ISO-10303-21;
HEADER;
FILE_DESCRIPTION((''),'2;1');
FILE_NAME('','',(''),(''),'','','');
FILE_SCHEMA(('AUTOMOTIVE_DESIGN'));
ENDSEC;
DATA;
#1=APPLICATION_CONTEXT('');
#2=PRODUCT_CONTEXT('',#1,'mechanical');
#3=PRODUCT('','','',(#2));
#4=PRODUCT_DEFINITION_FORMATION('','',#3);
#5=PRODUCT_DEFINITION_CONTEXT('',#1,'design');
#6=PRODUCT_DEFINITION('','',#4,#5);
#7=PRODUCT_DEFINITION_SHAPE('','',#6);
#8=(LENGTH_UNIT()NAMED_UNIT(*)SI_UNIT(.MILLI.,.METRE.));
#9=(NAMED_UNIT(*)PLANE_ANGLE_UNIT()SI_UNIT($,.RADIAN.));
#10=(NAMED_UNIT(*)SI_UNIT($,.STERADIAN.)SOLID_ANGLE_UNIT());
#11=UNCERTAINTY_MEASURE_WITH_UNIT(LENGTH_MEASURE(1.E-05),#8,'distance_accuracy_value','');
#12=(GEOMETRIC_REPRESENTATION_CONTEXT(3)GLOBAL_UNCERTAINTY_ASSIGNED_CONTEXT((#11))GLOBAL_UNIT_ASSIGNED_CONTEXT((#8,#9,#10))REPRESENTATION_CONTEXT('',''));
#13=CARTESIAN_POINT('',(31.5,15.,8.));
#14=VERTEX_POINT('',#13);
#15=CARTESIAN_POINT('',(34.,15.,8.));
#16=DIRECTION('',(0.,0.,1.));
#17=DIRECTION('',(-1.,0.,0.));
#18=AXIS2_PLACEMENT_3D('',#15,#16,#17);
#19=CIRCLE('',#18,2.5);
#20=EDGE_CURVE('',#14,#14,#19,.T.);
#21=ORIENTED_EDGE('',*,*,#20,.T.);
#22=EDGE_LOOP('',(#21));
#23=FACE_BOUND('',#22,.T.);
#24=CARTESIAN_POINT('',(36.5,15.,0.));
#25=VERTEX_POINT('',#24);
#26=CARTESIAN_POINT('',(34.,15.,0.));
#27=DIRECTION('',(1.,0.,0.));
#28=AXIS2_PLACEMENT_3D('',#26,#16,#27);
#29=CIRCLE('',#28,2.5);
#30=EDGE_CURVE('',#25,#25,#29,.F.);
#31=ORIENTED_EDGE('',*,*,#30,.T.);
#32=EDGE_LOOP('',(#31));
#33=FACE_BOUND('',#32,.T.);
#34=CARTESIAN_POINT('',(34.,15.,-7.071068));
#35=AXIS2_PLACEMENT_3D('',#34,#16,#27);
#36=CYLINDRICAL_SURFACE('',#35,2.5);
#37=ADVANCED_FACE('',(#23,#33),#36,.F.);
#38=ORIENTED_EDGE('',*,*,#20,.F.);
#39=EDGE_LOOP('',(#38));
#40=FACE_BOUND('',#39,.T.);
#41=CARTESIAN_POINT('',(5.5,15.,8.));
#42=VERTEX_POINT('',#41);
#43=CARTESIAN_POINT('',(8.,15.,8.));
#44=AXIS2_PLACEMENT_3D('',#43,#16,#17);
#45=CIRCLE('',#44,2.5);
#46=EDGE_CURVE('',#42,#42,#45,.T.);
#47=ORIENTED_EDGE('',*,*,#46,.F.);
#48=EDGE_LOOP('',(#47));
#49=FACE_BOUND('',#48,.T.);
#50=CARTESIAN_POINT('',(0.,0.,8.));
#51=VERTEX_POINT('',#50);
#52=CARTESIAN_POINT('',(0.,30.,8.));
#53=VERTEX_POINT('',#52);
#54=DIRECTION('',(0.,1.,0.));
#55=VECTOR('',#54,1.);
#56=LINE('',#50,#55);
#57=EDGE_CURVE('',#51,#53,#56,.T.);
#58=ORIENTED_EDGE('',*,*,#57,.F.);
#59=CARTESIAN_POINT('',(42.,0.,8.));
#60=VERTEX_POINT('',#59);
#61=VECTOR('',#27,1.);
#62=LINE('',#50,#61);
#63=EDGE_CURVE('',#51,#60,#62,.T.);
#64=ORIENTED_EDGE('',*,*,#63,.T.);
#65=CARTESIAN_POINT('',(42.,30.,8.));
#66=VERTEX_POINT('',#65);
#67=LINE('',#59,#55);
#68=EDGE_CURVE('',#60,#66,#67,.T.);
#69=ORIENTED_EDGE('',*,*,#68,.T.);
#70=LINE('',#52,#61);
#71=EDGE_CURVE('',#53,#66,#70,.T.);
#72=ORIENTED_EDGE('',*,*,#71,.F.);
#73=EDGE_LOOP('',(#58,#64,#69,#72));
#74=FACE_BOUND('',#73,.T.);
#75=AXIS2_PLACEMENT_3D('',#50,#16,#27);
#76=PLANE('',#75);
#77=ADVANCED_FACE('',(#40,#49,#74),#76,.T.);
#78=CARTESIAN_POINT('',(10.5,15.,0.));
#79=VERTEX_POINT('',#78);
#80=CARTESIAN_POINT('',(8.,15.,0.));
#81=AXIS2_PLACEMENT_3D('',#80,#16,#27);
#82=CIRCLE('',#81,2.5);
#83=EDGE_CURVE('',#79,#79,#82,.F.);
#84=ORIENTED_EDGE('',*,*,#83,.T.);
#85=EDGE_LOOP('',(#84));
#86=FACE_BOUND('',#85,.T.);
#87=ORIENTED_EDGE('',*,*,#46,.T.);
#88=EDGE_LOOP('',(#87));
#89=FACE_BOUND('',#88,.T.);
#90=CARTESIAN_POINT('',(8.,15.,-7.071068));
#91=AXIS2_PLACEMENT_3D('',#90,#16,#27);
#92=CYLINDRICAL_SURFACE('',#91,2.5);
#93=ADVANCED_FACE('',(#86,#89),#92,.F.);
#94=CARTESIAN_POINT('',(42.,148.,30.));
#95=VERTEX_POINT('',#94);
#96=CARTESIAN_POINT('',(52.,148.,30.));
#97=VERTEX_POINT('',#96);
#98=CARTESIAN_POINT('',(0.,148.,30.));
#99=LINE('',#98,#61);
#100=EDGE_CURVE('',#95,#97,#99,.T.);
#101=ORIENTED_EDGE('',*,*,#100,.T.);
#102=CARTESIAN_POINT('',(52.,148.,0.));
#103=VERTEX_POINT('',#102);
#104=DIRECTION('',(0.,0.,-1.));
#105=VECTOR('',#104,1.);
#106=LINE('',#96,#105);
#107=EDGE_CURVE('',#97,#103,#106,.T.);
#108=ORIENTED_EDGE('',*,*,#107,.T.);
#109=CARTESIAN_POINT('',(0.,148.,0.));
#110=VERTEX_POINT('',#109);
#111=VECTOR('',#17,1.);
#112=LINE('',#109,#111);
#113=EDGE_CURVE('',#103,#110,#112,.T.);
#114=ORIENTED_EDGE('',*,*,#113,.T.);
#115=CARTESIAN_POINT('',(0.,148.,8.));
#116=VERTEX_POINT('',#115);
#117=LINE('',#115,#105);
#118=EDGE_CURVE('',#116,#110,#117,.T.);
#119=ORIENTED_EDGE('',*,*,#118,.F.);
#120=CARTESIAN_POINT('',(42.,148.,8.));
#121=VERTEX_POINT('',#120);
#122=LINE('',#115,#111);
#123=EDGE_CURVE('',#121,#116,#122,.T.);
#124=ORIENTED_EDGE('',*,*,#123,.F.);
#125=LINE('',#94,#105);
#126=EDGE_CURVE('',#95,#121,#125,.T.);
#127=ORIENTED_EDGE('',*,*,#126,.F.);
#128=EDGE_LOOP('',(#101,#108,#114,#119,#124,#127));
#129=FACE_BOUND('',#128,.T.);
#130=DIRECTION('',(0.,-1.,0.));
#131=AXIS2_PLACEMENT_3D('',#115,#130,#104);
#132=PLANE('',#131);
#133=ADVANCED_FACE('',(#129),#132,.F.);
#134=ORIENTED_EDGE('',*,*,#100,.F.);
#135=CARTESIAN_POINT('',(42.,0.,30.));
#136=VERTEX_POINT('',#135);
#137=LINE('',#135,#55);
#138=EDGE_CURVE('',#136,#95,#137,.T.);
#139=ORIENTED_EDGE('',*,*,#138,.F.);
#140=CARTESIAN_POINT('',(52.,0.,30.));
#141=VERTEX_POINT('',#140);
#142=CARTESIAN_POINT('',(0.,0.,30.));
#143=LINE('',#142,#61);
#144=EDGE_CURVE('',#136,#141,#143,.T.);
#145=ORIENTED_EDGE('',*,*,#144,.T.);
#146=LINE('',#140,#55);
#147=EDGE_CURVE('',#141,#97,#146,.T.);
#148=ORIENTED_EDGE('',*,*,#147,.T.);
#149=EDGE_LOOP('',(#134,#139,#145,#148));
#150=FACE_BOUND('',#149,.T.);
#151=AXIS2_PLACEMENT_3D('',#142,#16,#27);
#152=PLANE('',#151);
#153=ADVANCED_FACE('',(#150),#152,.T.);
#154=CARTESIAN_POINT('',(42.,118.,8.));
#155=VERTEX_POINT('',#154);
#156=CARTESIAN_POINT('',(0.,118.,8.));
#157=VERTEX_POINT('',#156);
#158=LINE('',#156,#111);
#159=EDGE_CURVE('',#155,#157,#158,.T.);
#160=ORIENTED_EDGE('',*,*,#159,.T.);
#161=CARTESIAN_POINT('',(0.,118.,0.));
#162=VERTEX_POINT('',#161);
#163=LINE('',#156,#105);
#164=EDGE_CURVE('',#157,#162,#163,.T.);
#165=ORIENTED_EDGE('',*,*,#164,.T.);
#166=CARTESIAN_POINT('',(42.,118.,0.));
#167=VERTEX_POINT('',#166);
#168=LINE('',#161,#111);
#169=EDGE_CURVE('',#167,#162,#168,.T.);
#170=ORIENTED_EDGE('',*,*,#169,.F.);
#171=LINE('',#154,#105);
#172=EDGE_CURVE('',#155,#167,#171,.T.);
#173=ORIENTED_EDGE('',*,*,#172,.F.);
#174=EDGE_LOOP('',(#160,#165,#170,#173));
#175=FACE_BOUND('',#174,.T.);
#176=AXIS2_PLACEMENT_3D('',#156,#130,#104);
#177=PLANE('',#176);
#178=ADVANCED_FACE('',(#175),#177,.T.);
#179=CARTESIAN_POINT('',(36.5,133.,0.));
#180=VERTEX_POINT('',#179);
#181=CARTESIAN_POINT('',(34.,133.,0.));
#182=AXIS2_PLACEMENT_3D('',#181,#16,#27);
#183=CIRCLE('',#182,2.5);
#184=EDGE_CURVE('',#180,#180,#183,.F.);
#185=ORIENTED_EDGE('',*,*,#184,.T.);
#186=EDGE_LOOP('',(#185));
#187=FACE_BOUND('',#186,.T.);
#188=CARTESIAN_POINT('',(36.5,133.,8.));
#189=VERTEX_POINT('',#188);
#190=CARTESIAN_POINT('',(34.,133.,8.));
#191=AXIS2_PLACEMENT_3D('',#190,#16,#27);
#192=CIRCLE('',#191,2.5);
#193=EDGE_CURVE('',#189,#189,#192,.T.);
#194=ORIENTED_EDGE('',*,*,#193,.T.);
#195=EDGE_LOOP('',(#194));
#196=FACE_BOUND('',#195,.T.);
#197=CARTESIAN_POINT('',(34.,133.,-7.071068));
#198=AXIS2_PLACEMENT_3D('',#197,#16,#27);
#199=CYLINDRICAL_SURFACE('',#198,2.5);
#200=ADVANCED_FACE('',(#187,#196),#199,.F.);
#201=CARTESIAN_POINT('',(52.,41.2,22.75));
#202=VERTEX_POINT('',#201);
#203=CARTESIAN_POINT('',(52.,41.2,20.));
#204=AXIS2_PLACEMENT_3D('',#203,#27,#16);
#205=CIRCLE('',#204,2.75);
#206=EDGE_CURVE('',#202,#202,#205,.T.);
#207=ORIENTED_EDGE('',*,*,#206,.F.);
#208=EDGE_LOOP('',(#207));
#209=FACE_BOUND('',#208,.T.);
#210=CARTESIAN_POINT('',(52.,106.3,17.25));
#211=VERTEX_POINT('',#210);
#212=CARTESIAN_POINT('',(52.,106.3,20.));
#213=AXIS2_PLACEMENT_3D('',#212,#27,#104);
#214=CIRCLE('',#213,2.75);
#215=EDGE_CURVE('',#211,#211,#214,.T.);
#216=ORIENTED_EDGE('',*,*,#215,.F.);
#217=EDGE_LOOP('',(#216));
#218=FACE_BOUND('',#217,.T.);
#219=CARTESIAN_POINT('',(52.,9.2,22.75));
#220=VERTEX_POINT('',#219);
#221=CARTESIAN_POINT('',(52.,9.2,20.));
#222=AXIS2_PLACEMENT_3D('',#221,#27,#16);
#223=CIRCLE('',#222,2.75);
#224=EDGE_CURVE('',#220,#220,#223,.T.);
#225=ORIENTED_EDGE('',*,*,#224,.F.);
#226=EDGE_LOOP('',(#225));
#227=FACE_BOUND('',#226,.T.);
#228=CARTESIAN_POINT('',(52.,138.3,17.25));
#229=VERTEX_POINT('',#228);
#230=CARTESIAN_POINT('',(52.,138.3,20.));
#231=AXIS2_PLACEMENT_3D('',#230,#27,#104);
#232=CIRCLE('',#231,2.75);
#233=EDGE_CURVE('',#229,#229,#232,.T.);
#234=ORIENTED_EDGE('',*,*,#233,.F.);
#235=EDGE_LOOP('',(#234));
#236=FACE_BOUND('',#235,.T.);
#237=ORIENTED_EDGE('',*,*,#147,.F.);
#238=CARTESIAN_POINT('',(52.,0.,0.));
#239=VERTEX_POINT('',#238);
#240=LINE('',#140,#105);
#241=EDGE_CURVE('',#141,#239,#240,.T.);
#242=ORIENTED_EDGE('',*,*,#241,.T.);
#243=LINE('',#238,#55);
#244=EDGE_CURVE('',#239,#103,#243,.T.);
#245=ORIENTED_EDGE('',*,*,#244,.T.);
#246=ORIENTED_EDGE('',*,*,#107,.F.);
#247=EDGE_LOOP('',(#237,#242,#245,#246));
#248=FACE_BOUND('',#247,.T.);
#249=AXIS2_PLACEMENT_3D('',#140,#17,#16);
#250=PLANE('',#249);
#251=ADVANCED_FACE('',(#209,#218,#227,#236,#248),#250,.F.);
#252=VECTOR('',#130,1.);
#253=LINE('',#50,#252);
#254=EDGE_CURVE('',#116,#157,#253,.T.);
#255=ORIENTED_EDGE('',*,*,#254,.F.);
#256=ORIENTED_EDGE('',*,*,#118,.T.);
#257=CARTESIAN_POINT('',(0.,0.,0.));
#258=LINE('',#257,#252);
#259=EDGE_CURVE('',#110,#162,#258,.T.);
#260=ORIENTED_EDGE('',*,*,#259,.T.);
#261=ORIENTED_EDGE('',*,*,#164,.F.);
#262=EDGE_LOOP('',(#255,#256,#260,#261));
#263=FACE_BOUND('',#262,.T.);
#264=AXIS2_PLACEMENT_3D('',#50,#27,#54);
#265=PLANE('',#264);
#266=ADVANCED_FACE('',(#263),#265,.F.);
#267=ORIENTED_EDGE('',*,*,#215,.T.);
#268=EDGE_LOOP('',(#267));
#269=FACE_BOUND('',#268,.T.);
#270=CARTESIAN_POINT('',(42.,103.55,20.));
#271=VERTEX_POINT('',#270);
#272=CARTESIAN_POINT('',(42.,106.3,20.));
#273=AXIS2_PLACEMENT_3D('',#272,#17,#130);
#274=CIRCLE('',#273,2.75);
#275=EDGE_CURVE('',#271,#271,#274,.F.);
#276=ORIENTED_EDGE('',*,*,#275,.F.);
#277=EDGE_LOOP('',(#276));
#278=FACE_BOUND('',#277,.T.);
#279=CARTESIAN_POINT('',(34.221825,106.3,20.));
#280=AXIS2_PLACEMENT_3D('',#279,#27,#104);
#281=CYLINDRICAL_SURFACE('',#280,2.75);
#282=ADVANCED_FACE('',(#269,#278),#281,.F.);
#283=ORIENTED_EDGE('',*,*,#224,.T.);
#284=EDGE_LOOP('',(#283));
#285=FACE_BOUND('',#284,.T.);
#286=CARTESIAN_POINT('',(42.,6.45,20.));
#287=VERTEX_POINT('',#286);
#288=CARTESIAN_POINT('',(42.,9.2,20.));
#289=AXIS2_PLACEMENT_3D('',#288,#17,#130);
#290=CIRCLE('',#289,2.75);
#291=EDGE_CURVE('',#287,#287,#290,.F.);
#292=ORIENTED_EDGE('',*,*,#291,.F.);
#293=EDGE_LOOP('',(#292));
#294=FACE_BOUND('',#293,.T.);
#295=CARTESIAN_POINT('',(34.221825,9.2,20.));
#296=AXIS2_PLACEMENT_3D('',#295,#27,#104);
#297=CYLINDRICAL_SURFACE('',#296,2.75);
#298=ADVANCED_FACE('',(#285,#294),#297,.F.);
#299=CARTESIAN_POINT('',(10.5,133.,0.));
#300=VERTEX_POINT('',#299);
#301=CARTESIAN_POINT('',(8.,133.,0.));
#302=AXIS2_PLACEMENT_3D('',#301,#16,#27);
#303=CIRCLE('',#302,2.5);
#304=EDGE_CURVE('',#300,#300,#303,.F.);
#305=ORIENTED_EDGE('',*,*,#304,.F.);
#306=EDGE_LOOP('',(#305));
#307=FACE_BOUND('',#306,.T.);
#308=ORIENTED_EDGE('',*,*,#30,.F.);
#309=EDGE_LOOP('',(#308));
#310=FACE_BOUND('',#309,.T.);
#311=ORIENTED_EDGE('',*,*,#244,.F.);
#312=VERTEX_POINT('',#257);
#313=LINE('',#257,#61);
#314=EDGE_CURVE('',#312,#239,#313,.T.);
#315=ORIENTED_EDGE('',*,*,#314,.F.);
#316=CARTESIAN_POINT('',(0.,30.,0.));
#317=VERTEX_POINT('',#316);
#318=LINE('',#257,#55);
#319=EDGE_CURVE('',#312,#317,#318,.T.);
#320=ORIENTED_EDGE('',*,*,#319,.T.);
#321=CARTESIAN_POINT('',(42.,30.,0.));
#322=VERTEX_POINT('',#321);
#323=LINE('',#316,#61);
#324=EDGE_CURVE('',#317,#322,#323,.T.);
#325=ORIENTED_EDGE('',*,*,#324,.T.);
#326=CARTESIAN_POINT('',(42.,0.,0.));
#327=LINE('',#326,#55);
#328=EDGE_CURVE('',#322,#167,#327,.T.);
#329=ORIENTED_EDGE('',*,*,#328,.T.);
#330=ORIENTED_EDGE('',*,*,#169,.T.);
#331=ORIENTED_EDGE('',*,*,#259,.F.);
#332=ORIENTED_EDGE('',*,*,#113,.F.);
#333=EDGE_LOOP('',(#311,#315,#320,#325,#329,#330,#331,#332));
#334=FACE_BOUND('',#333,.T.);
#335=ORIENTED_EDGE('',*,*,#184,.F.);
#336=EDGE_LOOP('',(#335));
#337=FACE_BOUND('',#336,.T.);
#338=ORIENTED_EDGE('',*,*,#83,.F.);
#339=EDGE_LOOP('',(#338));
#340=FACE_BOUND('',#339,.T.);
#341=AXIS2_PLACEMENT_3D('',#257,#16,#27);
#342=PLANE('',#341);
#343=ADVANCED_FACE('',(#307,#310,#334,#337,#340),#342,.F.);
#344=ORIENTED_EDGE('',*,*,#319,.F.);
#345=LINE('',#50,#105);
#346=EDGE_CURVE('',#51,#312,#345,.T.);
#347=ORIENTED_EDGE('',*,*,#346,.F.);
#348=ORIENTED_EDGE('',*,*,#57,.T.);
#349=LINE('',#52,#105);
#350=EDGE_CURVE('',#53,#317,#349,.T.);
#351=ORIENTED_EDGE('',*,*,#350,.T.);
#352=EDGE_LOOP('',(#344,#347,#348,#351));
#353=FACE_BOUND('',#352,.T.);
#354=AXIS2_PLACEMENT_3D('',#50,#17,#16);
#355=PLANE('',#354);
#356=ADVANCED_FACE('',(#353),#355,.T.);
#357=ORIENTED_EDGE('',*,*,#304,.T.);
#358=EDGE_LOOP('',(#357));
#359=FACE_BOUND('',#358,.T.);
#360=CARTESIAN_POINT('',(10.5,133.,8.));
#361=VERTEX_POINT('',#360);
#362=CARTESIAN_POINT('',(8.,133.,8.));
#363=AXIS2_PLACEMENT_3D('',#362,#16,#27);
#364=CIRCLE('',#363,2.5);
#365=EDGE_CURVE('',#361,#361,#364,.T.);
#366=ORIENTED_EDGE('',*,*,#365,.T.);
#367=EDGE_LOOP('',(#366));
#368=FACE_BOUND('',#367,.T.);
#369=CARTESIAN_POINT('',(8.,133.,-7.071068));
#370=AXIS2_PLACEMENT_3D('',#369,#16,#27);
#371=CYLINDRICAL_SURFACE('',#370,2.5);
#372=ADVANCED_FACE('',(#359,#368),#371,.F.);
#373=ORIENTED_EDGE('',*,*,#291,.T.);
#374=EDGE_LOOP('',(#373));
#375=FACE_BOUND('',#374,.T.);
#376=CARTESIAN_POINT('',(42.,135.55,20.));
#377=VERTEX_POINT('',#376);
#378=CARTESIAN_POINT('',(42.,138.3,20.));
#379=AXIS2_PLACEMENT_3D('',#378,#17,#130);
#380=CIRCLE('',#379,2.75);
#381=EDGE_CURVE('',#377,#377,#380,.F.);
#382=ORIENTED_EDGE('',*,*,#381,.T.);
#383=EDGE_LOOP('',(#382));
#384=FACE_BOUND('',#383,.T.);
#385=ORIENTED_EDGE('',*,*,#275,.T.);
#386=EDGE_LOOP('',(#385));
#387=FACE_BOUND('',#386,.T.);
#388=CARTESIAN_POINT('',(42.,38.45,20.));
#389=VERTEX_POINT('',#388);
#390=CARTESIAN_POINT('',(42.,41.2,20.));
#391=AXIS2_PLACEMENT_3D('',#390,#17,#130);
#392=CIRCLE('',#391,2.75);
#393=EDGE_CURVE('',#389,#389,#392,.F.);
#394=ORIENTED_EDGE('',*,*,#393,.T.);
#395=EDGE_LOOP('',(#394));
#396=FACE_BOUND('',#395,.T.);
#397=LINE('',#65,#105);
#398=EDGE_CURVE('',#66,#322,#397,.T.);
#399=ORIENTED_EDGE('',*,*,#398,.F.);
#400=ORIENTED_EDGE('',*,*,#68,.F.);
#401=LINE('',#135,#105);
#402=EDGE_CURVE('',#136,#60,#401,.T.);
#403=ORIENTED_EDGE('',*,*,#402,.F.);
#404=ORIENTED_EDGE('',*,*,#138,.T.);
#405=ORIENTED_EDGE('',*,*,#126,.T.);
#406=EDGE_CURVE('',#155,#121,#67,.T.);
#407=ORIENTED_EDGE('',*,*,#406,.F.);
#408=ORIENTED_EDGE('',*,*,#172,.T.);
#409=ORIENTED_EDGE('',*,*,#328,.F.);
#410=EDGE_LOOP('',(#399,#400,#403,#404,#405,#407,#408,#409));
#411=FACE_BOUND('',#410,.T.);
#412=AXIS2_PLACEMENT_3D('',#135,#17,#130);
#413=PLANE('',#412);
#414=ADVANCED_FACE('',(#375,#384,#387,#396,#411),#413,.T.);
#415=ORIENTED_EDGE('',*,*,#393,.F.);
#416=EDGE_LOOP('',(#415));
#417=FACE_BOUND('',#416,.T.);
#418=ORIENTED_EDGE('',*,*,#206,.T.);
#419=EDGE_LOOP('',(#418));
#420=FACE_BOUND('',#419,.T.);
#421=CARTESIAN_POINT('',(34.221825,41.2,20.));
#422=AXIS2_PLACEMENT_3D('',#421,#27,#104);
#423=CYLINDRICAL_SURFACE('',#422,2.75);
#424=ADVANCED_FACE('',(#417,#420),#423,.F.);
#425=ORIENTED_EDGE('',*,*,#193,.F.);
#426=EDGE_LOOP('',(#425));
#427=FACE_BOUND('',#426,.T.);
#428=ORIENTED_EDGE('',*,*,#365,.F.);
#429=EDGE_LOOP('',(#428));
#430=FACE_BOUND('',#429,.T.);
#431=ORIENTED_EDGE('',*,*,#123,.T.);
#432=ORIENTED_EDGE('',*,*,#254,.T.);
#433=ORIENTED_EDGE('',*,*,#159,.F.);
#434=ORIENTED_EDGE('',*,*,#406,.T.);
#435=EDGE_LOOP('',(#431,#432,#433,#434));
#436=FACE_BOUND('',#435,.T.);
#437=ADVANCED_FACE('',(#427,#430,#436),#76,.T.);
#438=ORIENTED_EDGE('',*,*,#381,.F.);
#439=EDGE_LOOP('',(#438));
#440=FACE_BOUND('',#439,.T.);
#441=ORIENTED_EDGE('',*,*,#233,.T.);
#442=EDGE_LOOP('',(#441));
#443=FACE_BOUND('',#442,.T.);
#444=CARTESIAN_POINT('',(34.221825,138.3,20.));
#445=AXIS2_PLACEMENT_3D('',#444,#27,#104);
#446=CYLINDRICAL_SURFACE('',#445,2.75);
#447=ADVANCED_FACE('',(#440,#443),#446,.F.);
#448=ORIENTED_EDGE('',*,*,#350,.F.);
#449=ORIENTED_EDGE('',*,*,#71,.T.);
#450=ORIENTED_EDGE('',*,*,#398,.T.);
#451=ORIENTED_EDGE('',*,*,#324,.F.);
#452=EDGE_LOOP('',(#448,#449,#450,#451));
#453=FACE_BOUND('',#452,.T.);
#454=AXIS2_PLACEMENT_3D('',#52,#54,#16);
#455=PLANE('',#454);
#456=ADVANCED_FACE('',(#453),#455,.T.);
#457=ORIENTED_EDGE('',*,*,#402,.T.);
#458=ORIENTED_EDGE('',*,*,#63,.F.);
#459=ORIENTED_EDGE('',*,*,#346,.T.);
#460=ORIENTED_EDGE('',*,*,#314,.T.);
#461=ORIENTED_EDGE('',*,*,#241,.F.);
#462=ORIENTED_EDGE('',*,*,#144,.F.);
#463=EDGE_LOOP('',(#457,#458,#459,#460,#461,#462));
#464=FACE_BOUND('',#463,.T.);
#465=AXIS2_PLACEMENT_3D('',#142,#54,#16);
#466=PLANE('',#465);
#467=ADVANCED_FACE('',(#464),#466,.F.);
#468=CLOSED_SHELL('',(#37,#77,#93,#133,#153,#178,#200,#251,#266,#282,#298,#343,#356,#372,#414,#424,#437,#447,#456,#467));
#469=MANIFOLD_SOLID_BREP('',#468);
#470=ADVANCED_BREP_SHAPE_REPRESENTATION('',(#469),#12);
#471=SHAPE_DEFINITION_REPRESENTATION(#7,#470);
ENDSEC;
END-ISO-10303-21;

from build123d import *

# Parameters (mm, degrees)
SKETCH1_W             = 42
SKETCH1_H             = 30
BOSS_EXTRUDE1_DEPTH   = 8
BOSS_EXTRUDE1_2_DEPTH = 8
BOSS_EXTRUDE2_DEPTH   = 30
SKETCH2_R             = 2.5
CUT_EXTRUDE1_DEPTH    = 8
SKETCH3_R             = 2.75
CUT_EXTRUDE2_DEPTH    = 10


with BuildPart() as part:
    # Sketch1 → Boss-Extrude1 (new body)
    with BuildSketch(Plane.XY):
        with Locations((21, 133)):
            Rectangle(SKETCH1_W, SKETCH1_H)
    extrude(amount=BOSS_EXTRUDE1_DEPTH)



with BuildPart() as body_2:
    # Sketch1 → Boss-Extrude1 2 (new body)
    with BuildSketch(Plane.XY):
        with Locations((21, 15)):
            Rectangle(SKETCH1_W, SKETCH1_H)
    extrude(amount=BOSS_EXTRUDE1_2_DEPTH)


with BuildPart() as part_1:
    add(part.part)

    add(body_2.part)  # Boss-Extrude2 merges body 2
    # Sketch1_3 → Boss-Extrude2 (add)
    with BuildSketch(Plane.XY):
        Polygon((42, 30), (42, 0), (52, 0), (52, 148), (42, 148), (42, 118), align=None)
    extrude(amount=BOSS_EXTRUDE2_DEPTH)

    # Sketch2 → Cut-Extrude1 (cut)
    with BuildSketch(Plane.XY.offset(8)):
        with Locations((8, 133)):
            Circle(SKETCH2_R)
        with Locations((34, 133)):
            Circle(SKETCH2_R)
        with Locations((34, 15)):
            Circle(SKETCH2_R)
        with Locations((8, 15)):
            Circle(SKETCH2_R)
    extrude(amount=-CUT_EXTRUDE1_DEPTH, mode=Mode.SUBTRACT)

    # Sketch3 → Cut-Extrude2 (cut)
    with BuildSketch(Plane(origin=(52, 0, 0), x_dir=(0, 0, -1), z_dir=(1, 0, 0))):
        with Locations((-20, 138.3)):
            Circle(SKETCH3_R)
        with Locations((-20, 106.3)):
            Circle(SKETCH3_R)
        with Locations((-20, 41.2)):
            Circle(SKETCH3_R)
        with Locations((-20, 9.2)):
            Circle(SKETCH3_R)
    extrude(amount=-CUT_EXTRUDE2_DEPTH, mode=Mode.SUBTRACT)


solid = part_1.part
